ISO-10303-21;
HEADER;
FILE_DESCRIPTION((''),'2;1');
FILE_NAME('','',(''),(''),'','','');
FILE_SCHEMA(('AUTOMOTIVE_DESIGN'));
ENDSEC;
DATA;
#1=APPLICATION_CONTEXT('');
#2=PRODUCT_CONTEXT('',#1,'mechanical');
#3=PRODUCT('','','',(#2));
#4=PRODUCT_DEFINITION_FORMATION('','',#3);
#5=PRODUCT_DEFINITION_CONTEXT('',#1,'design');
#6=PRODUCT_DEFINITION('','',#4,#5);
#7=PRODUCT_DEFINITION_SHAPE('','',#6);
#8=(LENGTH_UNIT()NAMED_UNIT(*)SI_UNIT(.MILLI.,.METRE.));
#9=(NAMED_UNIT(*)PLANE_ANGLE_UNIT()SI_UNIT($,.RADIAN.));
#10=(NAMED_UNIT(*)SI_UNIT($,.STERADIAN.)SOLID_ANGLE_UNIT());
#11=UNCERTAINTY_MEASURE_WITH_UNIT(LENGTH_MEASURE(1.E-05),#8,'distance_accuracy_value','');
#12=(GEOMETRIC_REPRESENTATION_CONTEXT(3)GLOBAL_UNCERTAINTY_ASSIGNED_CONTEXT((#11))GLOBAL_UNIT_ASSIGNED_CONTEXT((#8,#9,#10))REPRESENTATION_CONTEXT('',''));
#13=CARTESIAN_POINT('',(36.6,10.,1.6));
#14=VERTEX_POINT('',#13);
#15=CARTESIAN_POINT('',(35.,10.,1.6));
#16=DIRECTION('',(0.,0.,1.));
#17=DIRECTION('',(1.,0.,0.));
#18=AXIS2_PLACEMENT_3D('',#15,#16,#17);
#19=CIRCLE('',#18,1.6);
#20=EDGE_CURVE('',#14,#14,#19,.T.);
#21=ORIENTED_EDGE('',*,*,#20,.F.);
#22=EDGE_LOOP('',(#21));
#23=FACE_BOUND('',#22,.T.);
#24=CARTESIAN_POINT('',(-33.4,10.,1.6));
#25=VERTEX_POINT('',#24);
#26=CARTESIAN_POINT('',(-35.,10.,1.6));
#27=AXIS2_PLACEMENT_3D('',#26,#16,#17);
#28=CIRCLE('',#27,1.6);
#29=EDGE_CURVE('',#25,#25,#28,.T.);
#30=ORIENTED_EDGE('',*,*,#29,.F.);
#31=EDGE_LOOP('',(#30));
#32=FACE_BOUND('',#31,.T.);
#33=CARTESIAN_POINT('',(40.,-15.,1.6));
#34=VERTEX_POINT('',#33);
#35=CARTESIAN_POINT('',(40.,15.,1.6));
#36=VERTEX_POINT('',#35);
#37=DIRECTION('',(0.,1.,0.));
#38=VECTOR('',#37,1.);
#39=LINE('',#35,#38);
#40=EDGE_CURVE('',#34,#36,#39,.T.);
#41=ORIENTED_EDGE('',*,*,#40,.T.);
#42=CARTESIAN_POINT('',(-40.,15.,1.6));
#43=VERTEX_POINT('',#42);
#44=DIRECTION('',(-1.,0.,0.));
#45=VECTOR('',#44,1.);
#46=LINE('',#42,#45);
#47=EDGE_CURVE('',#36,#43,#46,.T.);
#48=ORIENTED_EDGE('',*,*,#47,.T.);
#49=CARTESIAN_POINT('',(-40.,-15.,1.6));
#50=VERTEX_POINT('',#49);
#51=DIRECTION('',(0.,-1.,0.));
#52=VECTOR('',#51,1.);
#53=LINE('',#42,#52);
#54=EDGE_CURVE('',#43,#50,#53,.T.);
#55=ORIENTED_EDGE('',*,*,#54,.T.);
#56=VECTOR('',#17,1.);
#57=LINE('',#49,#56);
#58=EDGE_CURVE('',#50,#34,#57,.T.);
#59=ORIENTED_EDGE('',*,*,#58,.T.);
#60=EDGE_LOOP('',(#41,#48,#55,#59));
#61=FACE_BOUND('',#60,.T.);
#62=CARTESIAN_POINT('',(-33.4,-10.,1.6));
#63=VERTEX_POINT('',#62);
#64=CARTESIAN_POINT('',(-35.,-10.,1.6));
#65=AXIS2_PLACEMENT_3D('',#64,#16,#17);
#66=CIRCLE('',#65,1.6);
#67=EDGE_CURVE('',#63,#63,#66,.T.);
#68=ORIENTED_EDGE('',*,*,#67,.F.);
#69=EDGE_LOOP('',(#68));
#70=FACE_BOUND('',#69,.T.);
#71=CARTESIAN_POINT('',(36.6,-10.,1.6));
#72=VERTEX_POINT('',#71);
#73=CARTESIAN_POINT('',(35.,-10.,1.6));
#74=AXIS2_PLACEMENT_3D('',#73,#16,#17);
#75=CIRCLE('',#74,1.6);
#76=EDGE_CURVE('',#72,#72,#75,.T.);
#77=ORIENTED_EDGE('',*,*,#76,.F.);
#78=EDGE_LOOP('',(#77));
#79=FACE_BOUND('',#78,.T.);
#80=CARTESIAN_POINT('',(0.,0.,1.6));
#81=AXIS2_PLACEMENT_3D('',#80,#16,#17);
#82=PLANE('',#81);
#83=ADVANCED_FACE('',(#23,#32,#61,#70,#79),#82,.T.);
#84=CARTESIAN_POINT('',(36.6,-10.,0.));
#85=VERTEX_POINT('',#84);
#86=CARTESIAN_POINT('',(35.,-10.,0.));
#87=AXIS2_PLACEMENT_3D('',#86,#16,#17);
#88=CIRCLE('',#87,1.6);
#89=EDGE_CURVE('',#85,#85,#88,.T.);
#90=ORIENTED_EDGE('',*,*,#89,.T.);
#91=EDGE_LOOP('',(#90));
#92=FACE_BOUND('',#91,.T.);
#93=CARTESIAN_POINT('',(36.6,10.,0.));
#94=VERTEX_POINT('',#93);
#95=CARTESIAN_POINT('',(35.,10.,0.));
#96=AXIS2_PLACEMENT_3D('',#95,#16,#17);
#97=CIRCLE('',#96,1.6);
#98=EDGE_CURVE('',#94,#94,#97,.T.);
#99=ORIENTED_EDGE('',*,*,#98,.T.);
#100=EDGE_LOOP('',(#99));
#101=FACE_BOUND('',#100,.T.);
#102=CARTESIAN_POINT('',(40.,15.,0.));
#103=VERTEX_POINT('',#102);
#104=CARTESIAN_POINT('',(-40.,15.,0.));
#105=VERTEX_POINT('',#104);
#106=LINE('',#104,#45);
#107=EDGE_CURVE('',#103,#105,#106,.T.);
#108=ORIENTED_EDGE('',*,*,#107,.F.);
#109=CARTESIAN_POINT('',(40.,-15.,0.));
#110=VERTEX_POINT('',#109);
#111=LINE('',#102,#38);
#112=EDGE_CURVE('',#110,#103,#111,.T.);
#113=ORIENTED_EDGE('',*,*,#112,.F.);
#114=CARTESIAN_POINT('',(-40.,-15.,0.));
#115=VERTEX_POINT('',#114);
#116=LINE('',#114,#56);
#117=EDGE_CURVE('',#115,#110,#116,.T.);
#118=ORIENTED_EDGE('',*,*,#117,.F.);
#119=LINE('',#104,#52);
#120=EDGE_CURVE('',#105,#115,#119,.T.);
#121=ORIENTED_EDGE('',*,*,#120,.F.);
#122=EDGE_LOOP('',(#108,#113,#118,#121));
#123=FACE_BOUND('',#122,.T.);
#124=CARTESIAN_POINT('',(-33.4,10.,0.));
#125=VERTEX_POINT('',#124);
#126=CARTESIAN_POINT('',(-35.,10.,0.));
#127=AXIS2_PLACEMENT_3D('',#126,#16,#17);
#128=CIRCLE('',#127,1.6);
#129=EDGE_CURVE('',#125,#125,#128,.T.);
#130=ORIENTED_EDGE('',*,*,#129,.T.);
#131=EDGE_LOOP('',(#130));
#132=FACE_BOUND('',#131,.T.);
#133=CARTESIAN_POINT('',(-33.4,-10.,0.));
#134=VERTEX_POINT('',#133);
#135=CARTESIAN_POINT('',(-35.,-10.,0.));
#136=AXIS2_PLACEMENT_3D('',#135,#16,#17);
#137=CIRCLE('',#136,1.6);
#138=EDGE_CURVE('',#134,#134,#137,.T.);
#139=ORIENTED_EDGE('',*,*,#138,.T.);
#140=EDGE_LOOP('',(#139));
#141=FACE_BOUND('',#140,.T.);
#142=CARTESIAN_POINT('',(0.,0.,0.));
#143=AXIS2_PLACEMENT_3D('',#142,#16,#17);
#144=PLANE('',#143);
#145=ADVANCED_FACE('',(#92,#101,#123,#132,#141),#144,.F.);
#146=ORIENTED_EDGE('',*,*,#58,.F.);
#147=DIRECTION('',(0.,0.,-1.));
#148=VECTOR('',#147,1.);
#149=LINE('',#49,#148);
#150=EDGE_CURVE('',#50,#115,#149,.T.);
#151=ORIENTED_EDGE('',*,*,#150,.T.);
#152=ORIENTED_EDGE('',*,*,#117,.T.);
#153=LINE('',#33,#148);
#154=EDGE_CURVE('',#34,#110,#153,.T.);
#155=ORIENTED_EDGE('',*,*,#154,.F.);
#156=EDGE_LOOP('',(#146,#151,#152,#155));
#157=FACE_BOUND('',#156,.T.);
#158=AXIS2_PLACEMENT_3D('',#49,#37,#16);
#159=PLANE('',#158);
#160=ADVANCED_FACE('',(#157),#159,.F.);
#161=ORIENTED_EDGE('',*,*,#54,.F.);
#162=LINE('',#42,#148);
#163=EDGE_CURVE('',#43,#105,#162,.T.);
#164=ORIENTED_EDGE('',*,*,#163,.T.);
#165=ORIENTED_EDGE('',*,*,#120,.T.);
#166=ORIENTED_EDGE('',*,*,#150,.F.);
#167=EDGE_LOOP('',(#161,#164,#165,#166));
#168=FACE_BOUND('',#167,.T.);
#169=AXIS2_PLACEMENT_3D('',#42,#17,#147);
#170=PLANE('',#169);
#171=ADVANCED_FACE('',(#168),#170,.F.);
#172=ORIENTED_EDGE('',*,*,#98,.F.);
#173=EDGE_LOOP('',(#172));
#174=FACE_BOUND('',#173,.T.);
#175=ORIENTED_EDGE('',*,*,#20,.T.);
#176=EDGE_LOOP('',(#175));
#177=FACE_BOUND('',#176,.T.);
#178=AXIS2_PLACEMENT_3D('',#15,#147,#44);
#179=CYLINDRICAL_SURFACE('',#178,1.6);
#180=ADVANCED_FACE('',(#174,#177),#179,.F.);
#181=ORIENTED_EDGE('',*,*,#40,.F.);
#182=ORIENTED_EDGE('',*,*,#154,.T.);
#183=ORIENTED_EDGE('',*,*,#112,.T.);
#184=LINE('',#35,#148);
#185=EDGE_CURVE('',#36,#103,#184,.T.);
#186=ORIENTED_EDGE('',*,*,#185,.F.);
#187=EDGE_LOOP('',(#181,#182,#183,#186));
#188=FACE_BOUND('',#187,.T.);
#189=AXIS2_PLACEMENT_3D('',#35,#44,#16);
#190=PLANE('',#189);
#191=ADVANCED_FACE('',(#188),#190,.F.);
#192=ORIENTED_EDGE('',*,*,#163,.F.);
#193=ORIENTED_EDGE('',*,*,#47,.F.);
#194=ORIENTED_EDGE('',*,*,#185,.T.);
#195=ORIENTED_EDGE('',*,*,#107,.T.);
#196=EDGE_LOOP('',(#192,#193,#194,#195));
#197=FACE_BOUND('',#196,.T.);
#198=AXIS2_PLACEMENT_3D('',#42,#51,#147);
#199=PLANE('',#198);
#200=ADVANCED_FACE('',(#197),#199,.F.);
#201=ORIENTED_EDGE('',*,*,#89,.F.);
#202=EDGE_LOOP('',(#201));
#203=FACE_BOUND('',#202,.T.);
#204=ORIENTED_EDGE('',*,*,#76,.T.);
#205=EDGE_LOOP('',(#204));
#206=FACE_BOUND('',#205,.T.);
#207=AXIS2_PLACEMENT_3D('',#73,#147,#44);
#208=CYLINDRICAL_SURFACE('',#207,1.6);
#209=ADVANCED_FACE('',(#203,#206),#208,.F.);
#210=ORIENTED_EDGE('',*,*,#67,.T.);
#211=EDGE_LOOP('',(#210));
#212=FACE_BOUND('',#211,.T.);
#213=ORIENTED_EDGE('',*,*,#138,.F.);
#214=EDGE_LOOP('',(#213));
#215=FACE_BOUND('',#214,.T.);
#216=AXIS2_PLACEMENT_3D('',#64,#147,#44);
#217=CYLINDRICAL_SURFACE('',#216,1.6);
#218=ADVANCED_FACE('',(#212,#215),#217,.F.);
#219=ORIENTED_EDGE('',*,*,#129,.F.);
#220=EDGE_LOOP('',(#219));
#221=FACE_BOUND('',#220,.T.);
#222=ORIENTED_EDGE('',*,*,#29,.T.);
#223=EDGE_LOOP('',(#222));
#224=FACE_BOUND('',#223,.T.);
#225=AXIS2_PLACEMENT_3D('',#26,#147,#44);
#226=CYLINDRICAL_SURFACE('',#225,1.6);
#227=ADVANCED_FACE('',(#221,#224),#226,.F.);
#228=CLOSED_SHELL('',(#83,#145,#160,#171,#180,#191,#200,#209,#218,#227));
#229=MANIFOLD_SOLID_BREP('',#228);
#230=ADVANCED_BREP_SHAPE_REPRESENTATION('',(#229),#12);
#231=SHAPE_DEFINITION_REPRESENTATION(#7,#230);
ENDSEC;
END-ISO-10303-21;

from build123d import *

# Parameters (mm, degrees)
ESQUISSE1_W        = 80
ESQUISSE1_H        = 30
ESQUISSE1_R        = 1.6
BOSS_EXTRU_1_DEPTH = 1.6


with BuildPart() as part:
    # Esquisse1 → Boss.-Extru.1 (new body)
    with BuildSketch(Plane.XY):
        Rectangle(ESQUISSE1_W, ESQUISSE1_H)
        with Locations((-35, 10)):
            Circle(ESQUISSE1_R, mode=Mode.SUBTRACT)
        with Locations((35, 10)):
            Circle(ESQUISSE1_R, mode=Mode.SUBTRACT)
        with Locations((35, -10)):
            Circle(ESQUISSE1_R, mode=Mode.SUBTRACT)
        with Locations((-35, -10)):
            Circle(ESQUISSE1_R, mode=Mode.SUBTRACT)
    extrude(amount=BOSS_EXTRU_1_DEPTH)


solid = part.part
